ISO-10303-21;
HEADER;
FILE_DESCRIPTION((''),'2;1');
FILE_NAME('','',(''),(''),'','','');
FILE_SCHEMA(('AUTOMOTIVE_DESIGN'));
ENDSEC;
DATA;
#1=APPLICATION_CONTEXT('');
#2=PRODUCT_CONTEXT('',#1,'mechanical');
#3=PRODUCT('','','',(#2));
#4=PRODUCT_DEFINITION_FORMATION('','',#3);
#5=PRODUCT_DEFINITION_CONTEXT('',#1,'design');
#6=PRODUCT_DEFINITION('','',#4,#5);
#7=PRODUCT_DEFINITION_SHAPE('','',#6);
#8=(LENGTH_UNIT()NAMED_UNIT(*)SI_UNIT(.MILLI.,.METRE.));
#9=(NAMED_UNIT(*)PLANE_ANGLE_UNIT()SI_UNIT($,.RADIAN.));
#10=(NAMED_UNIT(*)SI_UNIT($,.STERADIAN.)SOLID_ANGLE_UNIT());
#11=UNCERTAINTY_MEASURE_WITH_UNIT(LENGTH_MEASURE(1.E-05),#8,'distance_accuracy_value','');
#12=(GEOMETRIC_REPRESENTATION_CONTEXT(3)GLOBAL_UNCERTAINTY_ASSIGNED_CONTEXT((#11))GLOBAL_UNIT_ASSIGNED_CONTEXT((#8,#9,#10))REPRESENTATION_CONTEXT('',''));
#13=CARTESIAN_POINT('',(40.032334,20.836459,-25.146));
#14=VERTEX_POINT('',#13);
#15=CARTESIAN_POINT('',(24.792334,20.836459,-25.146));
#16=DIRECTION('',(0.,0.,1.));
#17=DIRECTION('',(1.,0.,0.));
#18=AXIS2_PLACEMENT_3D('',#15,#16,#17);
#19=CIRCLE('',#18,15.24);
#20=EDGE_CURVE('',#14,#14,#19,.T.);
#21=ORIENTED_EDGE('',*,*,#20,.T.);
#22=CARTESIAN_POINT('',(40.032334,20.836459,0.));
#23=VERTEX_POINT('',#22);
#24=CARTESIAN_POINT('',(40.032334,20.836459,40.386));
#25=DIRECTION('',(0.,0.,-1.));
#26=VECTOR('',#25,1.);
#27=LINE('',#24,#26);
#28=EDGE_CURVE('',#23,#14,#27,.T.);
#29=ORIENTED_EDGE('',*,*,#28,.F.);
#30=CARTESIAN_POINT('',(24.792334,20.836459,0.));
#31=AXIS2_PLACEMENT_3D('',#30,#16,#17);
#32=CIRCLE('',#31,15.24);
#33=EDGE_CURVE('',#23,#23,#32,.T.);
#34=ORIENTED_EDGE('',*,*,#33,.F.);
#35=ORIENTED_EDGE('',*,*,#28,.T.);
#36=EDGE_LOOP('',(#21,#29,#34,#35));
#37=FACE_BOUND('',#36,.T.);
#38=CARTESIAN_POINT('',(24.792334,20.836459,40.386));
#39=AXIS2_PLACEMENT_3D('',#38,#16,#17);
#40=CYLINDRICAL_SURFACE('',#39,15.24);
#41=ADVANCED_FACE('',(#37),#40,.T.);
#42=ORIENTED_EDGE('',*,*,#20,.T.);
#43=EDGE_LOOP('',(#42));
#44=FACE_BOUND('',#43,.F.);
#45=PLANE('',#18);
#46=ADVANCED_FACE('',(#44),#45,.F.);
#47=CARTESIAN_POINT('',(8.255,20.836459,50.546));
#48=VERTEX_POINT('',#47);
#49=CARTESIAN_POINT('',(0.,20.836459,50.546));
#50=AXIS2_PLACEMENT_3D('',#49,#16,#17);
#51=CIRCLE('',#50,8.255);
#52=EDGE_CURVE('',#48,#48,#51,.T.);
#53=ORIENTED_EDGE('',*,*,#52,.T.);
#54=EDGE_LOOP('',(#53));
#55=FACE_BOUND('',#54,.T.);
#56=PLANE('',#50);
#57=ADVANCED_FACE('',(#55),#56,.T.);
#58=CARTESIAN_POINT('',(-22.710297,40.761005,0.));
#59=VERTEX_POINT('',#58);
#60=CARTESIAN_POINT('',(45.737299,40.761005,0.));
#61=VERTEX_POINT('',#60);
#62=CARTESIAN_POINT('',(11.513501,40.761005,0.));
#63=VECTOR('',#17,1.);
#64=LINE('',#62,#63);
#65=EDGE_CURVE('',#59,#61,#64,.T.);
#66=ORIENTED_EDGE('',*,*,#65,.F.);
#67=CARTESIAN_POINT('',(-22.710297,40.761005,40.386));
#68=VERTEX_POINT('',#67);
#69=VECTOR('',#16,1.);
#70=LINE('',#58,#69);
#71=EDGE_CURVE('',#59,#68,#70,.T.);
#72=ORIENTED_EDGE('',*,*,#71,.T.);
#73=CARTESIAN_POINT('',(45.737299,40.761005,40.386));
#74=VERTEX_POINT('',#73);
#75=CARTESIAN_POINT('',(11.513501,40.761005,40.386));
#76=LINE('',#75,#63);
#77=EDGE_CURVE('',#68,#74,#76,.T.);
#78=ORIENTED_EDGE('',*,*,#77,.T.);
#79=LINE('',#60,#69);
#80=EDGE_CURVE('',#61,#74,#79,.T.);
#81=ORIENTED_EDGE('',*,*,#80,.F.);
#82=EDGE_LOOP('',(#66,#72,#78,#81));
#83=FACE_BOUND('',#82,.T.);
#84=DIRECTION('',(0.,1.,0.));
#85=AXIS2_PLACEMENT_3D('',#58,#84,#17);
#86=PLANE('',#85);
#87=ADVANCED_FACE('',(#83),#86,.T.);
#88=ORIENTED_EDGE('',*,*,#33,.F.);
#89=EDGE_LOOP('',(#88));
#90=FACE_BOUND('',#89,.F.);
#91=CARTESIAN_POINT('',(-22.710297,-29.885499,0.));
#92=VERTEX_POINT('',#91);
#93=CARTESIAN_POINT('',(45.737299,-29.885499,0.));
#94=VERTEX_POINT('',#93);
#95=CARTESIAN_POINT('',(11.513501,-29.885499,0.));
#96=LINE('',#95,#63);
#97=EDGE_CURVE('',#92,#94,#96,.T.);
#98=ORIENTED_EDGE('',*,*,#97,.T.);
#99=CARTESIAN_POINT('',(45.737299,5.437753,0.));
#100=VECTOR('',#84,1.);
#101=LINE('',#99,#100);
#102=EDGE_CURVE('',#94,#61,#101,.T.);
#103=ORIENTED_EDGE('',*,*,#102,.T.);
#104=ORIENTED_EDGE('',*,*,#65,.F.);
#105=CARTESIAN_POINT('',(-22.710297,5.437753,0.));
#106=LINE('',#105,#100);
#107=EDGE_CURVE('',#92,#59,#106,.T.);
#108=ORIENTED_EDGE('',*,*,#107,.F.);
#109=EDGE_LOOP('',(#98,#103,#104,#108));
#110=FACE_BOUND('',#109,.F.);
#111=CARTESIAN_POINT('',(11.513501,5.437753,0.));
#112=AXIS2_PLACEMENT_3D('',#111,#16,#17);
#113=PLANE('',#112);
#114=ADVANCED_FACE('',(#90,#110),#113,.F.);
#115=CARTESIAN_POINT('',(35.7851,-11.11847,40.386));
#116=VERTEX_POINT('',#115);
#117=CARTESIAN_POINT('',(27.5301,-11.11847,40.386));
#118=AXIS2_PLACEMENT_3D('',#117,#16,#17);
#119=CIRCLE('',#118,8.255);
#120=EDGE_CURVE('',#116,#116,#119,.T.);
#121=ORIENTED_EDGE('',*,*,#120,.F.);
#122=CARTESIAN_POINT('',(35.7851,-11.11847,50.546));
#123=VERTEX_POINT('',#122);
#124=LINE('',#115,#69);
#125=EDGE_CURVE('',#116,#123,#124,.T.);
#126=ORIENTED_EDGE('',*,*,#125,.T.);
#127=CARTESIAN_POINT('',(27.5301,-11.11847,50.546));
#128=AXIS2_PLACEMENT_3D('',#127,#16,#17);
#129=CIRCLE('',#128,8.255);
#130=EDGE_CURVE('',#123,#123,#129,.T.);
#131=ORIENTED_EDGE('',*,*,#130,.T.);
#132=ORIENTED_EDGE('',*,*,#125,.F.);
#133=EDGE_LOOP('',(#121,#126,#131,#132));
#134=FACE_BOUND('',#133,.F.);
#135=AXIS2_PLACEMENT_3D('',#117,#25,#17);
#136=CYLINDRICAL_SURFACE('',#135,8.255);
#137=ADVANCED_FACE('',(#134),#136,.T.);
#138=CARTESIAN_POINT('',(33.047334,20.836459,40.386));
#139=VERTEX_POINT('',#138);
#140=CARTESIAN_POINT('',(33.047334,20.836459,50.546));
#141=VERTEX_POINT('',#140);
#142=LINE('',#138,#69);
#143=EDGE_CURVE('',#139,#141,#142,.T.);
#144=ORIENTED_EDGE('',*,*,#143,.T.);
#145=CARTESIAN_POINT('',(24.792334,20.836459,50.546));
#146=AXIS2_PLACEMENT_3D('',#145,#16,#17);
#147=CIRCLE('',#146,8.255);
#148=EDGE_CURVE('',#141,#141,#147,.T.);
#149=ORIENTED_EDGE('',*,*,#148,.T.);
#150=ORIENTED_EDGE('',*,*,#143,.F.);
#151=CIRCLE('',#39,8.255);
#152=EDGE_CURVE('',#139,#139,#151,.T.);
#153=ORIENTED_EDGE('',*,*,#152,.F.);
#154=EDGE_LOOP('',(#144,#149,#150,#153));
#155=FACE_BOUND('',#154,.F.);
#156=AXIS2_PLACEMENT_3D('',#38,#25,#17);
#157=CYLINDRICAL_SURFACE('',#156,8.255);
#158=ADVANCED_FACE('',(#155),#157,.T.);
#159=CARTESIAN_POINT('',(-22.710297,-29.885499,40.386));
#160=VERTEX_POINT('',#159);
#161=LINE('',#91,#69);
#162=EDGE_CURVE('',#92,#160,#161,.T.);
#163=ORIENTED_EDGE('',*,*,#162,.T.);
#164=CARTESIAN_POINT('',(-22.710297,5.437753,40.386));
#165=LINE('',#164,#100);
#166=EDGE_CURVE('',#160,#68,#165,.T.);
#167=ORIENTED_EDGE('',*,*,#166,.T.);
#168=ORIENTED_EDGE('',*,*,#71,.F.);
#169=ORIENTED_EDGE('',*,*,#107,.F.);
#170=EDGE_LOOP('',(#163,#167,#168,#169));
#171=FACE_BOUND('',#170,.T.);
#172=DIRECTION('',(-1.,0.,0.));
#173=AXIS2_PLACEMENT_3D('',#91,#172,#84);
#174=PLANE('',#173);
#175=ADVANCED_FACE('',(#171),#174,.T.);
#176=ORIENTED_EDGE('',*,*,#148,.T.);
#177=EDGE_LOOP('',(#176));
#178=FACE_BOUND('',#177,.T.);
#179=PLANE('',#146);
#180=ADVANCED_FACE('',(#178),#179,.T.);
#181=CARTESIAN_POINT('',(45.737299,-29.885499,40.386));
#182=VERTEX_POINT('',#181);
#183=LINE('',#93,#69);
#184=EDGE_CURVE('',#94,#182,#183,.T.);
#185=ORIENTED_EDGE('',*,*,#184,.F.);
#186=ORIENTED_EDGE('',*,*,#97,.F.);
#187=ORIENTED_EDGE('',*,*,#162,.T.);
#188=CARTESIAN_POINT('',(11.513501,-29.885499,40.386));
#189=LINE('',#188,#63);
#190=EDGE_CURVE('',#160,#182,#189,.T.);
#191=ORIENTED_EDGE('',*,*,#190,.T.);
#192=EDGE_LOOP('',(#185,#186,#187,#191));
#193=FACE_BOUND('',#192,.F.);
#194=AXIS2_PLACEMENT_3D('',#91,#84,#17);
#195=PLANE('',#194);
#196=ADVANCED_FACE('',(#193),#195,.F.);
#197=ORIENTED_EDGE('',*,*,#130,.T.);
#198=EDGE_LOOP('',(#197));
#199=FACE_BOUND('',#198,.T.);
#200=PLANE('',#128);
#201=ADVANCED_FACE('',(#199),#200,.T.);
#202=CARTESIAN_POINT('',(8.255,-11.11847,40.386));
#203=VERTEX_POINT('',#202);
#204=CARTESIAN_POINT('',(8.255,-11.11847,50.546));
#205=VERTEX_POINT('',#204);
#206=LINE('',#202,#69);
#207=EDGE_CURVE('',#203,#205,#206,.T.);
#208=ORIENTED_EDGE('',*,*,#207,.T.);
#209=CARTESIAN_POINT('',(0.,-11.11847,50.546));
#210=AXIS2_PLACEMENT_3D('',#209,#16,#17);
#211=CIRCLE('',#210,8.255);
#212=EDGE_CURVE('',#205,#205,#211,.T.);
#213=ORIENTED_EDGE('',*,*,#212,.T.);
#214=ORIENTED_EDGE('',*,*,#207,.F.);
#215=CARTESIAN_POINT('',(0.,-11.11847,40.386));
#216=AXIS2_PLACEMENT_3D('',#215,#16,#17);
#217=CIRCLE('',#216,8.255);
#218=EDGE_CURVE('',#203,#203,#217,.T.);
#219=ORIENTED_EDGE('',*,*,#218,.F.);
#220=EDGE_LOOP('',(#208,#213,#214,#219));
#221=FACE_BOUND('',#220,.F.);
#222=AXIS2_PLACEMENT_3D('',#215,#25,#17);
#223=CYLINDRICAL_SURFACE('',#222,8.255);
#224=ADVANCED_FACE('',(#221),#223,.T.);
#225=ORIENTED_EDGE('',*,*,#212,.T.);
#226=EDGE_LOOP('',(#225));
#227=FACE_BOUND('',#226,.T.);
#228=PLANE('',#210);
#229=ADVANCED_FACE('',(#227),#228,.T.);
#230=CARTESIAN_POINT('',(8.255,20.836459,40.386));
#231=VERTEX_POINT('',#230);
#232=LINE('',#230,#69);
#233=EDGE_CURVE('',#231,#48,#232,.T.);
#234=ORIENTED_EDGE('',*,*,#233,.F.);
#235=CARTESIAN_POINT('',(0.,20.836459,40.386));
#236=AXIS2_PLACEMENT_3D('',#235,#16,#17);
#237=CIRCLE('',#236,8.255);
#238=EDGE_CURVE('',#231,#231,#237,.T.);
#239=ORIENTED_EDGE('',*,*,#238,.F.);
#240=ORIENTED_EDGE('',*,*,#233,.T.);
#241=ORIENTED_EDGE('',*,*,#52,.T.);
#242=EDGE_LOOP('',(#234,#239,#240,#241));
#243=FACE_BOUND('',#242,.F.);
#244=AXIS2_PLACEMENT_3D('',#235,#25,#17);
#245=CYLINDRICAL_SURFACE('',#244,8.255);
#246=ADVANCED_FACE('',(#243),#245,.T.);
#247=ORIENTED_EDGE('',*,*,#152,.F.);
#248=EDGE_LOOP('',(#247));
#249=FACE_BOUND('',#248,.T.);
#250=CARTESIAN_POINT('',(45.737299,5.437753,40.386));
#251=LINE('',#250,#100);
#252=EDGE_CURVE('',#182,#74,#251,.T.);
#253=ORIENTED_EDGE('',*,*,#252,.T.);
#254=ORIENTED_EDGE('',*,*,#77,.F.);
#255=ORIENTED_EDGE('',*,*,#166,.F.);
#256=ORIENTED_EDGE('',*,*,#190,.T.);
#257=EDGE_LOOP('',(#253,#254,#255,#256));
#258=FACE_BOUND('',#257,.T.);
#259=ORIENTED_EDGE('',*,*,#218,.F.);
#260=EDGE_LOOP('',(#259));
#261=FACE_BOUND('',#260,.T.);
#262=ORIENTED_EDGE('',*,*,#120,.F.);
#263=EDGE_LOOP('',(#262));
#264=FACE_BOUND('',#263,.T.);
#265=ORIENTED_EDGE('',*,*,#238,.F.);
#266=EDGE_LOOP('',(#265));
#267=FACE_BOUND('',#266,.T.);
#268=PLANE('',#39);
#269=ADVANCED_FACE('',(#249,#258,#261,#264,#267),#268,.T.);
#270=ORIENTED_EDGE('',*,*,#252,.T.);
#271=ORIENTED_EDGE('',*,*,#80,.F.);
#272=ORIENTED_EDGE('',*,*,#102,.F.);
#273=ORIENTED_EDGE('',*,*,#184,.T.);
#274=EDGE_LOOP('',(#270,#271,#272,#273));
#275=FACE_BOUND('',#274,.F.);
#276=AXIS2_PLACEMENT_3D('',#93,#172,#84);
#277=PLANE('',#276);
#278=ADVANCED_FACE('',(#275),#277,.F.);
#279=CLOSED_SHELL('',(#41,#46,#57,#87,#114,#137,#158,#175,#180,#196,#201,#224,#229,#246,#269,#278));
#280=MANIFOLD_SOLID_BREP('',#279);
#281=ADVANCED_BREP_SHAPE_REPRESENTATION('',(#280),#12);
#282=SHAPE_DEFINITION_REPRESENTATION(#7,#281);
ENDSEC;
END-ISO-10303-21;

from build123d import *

# Parameters (mm, degrees)
F0_W     = 68.447597
F0_H     = 70.646504
F1_DEPTH = 40.386
F2_R     = 15.24
F3_DEPTH = 65.532
F4_R     = 8.255
F5_DEPTH = 10.16


with BuildPart() as f1:
    # F0 (on Top) → F1 (new body)
    with BuildSketch(Plane.XY):
        with Locations((11.513501, 5.437753)):
            Rectangle(F0_W, F0_H)
    extrude(amount=F1_DEPTH)

    # F2 (on face) → F3 (join)
    with BuildSketch(Plane.XY.offset(40.386)):
        with Locations((24.792334, 20.836459)):
            Circle(F2_R)
    extrude(amount=-F3_DEPTH)

    # F4 (on face) → F5 (join)
    with BuildSketch(Plane.XY.offset(40.386)):
        with Locations((0, 20.836459)):
            Circle(F4_R)
        with Locations((0, -11.11847)):
            Circle(F4_R)
        with Locations((24.792334, 20.836459)):
            Circle(F4_R)
        with Locations((27.5301, -11.11847)):
            Circle(F4_R)
    extrude(amount=F5_DEPTH)


solid = f1.part
